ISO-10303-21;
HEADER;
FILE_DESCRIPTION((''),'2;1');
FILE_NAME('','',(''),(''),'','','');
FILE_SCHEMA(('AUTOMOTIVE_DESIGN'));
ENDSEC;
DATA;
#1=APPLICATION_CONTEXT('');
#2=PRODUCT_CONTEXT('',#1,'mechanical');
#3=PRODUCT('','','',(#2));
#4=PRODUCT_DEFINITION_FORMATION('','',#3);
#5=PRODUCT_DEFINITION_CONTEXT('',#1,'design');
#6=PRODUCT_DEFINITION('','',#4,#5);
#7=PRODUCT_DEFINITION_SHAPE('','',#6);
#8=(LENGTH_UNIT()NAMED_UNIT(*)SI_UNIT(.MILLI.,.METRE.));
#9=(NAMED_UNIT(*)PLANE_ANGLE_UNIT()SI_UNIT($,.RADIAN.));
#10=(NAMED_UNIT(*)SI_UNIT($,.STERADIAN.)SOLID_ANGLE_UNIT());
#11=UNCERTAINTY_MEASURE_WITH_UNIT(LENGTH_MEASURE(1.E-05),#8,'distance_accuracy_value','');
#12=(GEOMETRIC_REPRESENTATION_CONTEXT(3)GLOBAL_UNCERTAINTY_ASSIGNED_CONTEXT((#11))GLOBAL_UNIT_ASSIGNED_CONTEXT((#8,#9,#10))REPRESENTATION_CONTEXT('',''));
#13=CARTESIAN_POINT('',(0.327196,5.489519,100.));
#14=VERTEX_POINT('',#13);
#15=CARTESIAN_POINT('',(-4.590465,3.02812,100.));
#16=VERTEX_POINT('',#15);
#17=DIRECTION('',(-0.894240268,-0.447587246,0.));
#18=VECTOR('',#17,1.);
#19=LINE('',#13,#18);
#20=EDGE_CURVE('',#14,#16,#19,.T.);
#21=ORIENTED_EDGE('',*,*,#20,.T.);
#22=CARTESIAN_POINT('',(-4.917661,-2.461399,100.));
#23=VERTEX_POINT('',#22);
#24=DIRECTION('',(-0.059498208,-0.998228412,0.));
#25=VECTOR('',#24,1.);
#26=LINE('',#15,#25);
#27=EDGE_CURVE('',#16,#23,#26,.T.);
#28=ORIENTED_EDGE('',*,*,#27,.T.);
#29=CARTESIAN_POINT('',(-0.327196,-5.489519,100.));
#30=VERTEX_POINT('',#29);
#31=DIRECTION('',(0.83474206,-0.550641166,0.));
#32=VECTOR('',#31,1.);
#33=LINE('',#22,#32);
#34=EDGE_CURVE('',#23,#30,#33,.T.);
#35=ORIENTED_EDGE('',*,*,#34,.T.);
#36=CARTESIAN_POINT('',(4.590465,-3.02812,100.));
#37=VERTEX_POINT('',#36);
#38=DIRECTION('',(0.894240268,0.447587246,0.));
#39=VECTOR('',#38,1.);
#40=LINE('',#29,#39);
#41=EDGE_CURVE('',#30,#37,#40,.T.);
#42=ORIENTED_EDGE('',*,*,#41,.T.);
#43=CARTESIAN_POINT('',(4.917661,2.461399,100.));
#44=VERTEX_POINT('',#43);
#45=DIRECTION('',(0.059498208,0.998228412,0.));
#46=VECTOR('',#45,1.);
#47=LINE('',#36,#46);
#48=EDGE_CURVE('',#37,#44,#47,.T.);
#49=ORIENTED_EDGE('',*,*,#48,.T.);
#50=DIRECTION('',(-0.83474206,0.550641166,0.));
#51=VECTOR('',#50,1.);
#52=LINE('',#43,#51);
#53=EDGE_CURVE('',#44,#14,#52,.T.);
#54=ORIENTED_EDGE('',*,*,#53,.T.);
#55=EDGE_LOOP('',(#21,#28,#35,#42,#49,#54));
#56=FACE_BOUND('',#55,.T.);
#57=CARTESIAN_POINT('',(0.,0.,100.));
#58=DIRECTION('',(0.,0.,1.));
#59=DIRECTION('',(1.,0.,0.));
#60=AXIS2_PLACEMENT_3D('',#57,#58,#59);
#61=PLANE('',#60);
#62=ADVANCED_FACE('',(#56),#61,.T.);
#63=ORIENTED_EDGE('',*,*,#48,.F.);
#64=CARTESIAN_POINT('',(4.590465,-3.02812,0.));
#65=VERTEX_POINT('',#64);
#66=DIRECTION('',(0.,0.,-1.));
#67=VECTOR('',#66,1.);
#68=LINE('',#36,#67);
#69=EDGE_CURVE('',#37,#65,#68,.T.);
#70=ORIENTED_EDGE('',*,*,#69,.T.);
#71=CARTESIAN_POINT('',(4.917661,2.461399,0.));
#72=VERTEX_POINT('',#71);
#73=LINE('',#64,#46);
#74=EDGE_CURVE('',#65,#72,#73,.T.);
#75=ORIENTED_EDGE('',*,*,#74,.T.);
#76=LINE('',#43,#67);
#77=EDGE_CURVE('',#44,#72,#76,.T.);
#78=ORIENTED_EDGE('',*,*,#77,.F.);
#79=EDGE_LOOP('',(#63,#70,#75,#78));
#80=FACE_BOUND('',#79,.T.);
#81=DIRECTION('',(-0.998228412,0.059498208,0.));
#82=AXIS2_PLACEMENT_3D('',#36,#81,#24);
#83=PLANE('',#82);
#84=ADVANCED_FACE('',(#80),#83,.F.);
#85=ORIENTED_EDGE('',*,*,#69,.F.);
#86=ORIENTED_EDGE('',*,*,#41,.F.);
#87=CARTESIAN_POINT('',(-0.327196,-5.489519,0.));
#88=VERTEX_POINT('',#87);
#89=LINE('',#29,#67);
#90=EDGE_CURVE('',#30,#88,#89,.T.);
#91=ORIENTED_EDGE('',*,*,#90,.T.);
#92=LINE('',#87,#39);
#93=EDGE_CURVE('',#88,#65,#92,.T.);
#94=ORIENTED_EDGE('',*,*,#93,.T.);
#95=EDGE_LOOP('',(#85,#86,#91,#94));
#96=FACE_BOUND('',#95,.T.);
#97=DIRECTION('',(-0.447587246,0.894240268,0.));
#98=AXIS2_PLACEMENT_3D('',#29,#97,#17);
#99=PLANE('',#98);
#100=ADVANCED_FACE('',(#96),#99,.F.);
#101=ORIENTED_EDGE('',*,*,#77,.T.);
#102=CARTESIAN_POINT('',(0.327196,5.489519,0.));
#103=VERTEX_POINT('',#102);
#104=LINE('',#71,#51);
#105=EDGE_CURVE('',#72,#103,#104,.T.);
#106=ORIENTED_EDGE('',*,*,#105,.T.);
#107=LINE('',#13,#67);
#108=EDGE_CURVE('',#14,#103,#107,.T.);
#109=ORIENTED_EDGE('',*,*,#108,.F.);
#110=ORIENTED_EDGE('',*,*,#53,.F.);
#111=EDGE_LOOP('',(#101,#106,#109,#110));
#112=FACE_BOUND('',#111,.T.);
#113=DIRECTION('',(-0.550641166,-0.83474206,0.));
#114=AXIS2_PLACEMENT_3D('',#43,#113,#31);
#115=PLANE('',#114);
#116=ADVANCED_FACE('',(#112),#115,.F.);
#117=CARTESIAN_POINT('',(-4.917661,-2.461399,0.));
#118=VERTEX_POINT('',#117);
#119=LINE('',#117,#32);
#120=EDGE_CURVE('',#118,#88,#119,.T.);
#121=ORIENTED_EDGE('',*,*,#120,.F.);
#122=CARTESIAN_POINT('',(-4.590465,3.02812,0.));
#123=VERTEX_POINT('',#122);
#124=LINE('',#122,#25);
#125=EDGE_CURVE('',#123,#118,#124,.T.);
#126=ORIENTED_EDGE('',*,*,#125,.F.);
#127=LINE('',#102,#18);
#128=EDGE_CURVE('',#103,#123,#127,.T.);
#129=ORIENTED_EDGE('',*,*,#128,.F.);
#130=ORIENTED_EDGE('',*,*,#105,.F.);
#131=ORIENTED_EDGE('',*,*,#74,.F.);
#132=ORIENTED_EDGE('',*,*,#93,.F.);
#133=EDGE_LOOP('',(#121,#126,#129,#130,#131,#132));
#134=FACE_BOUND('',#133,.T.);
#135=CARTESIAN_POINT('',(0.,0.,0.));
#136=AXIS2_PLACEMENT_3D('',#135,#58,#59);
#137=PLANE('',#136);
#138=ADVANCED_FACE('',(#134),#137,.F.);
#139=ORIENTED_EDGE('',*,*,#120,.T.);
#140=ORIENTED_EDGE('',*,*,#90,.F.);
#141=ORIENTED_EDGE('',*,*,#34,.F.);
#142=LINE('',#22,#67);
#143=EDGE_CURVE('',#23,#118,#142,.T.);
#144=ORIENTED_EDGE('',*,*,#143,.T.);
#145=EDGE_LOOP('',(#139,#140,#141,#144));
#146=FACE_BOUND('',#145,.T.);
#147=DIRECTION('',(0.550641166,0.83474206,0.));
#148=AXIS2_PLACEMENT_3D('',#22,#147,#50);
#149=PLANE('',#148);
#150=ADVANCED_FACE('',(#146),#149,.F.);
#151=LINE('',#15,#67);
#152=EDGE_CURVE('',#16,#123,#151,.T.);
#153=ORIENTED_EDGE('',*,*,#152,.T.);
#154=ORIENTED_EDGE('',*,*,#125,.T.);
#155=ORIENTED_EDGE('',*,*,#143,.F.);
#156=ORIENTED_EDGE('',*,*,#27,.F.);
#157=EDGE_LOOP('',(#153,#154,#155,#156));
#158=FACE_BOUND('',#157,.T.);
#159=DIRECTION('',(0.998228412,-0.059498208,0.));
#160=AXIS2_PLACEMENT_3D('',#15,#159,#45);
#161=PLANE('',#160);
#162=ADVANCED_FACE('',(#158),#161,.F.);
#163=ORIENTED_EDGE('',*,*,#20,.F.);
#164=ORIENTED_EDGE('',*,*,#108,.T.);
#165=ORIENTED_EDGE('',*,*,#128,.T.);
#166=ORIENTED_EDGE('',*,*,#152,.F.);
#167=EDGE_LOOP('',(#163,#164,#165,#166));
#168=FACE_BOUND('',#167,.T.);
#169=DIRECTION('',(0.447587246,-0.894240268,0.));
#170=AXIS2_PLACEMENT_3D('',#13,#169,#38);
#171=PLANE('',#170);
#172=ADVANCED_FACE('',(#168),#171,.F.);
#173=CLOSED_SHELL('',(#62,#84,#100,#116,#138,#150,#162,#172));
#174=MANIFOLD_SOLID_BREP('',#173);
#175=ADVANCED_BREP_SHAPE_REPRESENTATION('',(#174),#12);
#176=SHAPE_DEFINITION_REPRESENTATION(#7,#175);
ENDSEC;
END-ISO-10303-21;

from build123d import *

# Parameters (mm, degrees)
BOSS_EXTRUDE1_DEPTH = 100


with BuildPart() as part:
    # Sketch1 → Boss-Extrude1 (new body)
    with BuildSketch(Plane.XY):
        Polygon((4.917660911, 2.461399228), (0.327196195, 5.489518891), (-4.590464716, 3.028119662), (-4.917660911, -2.461399228), (-0.327196195, -5.489518891), (4.590464716, -3.028119662), align=None)
    extrude(amount=BOSS_EXTRUDE1_DEPTH)


solid = part.part
